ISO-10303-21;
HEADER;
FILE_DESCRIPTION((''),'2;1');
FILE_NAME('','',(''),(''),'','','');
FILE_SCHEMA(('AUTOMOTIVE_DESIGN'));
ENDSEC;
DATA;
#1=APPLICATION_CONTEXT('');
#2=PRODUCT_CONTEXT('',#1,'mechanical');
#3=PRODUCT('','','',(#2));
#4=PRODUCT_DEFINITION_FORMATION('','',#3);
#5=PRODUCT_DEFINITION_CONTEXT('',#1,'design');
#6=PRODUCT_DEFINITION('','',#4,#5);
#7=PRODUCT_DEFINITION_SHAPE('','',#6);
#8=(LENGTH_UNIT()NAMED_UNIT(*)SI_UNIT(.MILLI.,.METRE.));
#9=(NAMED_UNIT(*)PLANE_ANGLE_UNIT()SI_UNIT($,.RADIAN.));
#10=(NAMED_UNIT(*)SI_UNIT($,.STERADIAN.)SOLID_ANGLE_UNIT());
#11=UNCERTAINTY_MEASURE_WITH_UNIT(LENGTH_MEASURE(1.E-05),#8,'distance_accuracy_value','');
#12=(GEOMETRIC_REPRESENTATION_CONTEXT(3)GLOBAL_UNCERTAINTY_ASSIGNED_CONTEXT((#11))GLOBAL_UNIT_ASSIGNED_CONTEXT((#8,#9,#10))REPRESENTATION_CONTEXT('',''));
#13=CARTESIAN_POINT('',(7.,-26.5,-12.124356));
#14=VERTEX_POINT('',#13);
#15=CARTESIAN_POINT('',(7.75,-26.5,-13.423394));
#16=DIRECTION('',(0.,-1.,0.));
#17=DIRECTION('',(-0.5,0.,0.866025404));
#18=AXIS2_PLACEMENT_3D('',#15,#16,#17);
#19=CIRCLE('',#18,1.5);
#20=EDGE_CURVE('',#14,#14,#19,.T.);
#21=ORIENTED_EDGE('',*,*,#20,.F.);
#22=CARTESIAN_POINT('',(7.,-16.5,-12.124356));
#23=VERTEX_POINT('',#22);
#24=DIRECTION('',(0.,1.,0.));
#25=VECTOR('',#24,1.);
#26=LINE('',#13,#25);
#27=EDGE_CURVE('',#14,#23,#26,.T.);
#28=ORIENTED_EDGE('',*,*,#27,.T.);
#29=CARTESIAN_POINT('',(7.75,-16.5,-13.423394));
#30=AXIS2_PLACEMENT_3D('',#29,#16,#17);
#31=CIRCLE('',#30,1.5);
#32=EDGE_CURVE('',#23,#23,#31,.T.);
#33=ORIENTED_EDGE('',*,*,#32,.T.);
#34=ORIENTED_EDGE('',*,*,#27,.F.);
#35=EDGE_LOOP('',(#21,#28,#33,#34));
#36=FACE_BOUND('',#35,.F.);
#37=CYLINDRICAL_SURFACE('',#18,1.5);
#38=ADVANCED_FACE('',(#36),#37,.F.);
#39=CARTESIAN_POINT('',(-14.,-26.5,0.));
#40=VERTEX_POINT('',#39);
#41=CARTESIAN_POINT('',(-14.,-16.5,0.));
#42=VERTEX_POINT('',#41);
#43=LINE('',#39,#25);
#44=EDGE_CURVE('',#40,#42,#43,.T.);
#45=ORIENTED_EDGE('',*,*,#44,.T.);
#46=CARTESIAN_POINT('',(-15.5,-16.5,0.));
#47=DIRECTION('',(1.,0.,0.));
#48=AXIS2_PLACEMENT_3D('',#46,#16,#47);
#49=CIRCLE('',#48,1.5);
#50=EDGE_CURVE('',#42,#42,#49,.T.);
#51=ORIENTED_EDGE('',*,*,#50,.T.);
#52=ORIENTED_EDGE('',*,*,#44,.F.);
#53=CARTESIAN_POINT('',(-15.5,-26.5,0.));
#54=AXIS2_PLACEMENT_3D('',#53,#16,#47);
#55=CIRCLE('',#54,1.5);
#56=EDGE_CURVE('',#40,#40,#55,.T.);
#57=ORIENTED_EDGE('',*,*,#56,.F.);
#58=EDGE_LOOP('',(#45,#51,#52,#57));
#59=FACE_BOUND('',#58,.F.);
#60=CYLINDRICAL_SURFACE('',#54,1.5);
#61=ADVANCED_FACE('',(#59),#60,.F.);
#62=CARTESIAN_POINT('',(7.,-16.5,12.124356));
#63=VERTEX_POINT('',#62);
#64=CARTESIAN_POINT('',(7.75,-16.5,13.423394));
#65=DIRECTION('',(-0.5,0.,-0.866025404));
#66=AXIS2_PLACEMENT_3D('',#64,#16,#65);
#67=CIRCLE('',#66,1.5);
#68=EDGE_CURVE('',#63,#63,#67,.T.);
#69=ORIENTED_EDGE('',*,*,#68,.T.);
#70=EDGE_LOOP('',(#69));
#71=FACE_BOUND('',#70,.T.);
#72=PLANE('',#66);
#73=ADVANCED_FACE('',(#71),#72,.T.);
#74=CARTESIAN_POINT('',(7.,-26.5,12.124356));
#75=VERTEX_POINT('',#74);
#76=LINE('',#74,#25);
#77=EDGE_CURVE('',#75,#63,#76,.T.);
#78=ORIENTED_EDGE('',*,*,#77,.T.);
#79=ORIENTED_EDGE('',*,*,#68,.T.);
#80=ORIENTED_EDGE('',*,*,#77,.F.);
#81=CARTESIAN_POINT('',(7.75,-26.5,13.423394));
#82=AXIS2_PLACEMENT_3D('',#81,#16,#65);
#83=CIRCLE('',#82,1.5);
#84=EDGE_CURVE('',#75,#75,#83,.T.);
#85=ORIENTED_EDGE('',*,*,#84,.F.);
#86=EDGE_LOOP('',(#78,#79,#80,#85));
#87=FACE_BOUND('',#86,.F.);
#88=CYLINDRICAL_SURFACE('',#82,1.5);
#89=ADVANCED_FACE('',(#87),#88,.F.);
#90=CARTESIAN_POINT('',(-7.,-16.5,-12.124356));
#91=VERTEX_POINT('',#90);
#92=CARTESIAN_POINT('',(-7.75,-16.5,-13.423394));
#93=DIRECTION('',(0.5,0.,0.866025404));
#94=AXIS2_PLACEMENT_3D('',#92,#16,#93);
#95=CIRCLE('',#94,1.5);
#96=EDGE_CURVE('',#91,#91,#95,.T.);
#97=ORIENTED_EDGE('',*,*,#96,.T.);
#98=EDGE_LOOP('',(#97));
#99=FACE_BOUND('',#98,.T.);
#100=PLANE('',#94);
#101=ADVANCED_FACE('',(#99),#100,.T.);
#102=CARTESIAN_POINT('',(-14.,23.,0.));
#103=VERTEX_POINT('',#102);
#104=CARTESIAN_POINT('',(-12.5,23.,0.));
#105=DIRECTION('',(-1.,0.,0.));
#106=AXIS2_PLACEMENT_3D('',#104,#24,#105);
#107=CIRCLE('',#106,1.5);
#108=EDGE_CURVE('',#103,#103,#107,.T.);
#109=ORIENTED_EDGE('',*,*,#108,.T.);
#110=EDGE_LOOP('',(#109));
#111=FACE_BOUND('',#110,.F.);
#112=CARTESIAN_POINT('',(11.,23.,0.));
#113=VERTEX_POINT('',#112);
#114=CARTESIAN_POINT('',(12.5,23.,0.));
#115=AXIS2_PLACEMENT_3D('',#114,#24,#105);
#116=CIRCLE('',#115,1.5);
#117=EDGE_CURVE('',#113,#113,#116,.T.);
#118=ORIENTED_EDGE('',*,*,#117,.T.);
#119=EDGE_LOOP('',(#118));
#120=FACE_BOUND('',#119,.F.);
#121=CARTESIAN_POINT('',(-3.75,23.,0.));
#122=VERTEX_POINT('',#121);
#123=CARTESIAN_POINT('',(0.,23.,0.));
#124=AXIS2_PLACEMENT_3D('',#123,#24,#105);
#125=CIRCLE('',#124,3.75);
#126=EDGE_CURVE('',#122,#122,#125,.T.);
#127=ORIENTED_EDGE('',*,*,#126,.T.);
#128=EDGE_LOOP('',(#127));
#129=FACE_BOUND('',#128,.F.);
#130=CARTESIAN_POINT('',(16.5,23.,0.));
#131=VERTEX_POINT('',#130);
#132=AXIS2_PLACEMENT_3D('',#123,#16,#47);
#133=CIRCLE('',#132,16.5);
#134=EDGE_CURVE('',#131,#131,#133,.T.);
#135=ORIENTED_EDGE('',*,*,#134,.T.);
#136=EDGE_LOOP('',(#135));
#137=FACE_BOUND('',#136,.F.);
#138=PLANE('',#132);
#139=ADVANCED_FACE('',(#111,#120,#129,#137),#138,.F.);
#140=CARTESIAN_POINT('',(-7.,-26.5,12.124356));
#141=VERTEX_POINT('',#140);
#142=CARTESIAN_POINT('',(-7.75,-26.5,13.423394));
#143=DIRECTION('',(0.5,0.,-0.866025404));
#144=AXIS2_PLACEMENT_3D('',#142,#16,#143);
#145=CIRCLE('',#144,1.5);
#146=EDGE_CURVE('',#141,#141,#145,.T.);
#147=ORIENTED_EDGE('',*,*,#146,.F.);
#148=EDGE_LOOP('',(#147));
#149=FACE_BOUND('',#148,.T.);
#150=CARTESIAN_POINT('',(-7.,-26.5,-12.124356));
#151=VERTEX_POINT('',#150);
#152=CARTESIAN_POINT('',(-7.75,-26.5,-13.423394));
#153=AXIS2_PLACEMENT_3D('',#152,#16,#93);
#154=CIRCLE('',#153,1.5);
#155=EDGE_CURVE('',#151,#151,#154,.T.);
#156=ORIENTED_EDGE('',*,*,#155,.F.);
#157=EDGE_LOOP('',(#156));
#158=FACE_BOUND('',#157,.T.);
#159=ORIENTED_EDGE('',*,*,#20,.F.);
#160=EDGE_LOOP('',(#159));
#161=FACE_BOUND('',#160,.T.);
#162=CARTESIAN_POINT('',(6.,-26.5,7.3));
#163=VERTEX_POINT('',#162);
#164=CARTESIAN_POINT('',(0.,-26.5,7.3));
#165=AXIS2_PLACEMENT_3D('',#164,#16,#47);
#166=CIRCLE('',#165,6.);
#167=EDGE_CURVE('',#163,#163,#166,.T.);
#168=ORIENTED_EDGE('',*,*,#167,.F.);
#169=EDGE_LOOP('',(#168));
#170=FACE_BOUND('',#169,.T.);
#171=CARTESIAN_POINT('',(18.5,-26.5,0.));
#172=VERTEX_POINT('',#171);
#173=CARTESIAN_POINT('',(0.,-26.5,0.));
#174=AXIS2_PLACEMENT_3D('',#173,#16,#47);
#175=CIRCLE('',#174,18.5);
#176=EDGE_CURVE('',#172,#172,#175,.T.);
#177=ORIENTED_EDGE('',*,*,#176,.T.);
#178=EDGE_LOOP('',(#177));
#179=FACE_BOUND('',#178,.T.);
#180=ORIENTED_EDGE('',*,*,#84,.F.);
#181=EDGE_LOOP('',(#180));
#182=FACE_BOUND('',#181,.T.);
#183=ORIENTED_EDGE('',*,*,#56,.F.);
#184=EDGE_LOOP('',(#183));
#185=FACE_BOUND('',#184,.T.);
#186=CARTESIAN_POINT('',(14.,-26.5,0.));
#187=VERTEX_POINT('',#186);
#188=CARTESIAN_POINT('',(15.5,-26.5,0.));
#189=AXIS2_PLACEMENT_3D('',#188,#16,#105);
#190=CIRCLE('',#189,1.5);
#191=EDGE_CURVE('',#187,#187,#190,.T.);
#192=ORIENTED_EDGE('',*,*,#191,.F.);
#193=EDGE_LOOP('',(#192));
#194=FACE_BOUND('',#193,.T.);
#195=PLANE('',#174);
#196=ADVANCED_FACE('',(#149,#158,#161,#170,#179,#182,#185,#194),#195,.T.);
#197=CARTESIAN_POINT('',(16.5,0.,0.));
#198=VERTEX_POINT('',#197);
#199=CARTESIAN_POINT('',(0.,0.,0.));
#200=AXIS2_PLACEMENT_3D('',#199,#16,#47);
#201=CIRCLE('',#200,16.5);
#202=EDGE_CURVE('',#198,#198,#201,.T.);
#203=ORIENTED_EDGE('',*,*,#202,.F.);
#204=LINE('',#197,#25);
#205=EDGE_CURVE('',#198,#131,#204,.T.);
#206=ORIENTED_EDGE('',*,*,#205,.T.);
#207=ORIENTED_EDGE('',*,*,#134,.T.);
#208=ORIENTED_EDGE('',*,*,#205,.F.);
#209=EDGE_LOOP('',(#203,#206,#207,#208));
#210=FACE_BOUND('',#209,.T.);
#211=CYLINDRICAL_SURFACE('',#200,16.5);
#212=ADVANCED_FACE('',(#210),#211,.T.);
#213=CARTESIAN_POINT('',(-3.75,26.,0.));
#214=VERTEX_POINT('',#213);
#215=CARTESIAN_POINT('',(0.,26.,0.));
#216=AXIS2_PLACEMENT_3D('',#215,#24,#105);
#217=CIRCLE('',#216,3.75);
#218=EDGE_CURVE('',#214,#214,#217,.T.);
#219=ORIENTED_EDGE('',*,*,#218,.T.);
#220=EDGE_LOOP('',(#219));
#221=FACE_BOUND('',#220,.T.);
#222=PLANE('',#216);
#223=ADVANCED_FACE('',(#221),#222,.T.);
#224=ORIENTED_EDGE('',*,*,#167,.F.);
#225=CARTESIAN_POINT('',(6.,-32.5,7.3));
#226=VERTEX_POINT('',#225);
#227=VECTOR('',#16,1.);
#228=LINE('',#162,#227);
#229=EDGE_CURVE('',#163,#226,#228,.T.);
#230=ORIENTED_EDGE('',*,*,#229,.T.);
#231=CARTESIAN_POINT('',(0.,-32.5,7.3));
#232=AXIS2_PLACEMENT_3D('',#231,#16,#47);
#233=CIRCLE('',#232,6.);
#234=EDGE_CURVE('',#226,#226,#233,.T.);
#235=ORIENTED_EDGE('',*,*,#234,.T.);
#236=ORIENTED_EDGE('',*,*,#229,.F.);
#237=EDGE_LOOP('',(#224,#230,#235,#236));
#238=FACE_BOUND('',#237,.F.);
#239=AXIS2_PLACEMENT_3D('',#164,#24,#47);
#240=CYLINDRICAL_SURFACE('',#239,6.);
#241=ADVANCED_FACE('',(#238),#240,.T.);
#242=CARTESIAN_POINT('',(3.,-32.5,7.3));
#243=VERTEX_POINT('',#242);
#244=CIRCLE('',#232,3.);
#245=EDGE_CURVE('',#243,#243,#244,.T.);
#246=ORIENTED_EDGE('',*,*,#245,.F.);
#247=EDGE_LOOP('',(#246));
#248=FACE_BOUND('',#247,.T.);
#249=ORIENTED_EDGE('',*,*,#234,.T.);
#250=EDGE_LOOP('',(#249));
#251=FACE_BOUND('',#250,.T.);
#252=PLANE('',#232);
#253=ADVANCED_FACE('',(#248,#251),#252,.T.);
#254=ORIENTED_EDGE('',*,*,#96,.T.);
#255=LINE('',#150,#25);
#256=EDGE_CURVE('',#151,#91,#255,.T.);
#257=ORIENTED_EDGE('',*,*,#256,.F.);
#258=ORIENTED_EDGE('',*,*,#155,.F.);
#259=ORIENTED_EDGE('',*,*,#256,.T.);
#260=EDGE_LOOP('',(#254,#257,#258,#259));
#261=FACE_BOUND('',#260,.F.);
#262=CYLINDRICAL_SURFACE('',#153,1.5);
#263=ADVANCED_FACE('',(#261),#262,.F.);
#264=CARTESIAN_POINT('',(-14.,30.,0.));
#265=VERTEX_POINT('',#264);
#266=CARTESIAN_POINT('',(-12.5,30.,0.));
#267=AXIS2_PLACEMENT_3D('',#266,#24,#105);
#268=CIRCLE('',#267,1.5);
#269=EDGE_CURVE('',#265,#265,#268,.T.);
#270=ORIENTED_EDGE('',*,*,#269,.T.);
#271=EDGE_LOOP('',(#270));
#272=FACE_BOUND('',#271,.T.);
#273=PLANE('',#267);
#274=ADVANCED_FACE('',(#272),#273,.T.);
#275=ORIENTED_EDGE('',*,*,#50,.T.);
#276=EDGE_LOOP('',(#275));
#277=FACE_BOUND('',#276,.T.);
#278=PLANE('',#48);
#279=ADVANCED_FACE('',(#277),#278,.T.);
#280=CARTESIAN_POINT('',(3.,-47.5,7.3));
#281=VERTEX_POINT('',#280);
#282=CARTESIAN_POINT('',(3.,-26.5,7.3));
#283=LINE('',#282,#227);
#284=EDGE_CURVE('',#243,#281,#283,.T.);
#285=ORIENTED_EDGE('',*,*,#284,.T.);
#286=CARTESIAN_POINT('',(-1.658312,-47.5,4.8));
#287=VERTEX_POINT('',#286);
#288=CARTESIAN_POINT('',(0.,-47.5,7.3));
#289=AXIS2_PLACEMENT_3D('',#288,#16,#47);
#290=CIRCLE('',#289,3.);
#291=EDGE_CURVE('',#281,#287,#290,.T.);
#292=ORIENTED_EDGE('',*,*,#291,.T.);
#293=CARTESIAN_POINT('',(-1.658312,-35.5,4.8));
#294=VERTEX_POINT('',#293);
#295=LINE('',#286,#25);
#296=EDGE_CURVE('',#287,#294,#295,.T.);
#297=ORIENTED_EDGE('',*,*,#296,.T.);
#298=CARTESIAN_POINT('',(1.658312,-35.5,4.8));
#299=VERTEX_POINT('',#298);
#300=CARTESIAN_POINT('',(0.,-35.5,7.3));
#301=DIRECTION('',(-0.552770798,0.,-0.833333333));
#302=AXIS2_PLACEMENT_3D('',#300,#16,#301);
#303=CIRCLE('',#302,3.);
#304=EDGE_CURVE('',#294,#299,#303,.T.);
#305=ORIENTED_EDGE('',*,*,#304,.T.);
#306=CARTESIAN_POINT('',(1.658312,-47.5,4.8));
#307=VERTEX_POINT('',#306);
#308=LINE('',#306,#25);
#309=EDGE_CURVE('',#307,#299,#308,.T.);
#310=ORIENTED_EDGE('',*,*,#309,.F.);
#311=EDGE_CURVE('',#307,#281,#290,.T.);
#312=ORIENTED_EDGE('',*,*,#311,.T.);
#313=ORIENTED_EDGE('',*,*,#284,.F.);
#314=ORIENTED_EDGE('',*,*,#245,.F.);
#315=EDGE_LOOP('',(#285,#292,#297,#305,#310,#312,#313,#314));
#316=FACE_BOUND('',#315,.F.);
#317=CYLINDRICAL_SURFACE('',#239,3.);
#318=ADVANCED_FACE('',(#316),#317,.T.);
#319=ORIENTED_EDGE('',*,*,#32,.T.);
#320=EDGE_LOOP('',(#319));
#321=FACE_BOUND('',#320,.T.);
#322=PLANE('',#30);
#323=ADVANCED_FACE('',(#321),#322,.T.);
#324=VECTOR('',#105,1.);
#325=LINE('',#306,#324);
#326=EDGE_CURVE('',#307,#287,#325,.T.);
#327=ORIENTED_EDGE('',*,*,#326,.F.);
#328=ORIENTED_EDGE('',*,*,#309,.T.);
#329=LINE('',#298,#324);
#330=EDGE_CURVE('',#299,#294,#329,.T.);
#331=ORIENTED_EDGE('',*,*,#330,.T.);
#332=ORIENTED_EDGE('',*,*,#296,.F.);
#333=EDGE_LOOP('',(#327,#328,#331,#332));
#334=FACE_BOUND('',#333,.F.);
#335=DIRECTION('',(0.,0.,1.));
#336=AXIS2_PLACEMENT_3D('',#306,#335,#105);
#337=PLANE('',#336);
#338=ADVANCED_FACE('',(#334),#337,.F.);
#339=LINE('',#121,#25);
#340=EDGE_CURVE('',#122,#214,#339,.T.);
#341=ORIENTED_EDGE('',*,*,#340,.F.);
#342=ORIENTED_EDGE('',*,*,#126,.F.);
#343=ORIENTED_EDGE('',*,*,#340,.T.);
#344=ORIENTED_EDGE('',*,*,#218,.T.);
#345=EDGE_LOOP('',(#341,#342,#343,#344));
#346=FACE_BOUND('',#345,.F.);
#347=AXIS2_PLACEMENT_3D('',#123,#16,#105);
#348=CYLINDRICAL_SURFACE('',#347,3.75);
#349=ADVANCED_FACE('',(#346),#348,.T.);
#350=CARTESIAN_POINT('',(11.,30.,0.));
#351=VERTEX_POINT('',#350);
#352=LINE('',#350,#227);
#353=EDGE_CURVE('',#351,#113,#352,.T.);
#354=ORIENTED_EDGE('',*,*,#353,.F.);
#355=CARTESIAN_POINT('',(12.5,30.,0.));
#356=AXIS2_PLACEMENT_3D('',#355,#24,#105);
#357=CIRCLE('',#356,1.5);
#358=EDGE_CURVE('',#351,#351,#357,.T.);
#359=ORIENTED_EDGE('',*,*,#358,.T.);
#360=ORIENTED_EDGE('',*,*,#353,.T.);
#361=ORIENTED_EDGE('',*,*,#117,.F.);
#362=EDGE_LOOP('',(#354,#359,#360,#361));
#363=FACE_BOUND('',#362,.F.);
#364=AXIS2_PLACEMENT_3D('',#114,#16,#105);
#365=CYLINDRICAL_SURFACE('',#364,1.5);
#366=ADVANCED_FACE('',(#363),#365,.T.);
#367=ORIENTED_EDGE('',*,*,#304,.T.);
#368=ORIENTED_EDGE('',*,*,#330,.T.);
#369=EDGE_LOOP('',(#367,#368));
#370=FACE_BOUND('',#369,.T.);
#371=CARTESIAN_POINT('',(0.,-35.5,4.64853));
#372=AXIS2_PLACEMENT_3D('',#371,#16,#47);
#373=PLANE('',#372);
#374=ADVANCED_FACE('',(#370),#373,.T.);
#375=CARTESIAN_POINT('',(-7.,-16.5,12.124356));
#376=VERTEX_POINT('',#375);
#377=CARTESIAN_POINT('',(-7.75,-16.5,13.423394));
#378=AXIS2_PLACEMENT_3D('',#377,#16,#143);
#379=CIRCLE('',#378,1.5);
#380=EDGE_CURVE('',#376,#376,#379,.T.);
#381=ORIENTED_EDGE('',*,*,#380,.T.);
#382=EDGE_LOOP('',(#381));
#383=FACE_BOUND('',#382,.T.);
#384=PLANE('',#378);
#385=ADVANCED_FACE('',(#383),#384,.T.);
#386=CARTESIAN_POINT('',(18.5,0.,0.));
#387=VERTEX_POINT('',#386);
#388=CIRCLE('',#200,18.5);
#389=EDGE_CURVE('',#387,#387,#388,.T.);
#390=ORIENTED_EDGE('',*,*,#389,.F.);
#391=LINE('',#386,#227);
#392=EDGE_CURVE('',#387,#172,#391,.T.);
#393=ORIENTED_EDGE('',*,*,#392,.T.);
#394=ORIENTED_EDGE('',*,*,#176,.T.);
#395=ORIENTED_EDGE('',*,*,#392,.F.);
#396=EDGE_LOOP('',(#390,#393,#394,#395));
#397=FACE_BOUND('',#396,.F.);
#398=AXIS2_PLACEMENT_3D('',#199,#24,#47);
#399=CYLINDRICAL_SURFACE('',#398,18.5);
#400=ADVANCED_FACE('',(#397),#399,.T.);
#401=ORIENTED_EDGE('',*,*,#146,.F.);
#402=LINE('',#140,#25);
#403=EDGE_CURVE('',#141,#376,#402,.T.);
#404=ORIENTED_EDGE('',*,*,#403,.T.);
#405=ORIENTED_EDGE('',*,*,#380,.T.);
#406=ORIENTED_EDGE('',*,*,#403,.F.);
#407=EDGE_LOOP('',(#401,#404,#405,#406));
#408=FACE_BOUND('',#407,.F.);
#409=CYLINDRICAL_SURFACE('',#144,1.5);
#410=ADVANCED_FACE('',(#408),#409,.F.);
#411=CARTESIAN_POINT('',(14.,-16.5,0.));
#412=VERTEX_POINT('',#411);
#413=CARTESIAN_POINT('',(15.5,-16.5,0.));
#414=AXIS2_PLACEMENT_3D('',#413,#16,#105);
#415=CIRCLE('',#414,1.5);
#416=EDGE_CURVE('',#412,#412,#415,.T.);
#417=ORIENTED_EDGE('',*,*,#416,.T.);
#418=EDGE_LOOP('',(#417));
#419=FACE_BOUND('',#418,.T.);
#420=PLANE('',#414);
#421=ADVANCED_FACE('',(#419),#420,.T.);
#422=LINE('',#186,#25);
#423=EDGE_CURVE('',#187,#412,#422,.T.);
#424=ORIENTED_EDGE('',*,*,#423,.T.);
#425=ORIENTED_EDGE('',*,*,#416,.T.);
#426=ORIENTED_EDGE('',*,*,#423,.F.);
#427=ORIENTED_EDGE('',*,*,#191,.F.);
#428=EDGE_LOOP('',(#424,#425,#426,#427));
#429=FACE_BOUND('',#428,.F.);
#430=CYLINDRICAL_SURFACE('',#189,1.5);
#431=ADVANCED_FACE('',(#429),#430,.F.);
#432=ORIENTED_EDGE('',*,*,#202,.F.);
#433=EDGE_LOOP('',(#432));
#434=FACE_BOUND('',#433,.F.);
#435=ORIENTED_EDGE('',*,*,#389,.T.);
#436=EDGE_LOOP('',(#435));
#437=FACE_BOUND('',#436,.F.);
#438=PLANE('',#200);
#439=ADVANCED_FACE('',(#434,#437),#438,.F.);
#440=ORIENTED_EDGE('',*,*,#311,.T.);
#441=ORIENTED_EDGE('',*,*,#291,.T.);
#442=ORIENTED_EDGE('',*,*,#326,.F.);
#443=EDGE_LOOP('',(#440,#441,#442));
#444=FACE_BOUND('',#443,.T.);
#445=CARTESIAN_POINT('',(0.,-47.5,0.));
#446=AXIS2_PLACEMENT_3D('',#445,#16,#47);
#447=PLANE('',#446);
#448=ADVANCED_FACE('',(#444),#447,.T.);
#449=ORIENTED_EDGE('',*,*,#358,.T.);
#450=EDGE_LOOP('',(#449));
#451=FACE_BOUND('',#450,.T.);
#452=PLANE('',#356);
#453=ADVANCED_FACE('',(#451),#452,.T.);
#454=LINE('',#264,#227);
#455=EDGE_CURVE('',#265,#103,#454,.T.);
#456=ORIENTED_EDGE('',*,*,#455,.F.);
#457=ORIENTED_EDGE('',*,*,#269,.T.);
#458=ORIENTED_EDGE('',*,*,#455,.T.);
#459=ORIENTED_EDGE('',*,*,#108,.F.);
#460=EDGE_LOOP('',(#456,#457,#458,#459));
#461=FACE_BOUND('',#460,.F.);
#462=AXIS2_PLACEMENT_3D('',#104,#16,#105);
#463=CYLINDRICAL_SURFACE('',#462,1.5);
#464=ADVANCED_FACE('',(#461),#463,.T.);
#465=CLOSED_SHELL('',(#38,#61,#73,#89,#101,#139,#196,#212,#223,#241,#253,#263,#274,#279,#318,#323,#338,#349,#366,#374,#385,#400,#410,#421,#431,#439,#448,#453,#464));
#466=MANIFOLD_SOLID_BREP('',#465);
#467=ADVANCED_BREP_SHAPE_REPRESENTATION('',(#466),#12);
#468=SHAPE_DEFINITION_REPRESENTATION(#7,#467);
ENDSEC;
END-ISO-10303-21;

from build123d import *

# Parameters (mm, degrees)
F0_R      = 18.5
F0_R_2    = 16.5
F1_DEPTH  = 26.5
F2_DEPTH  = 23
F3_R      = 6
F3_R_2    = 3
F4_DEPTH  = 6
F5_DEPTH  = 21
F7_DEPTH  = 12
F3_R_3    = 1.5
F8_DEPTH  = 10
F10_COUNT = 6
F11_R     = 3.75
F11_R_2   = 1.5
F12_DEPTH = 3
F13_DEPTH = 7


with BuildPart() as f1:
    # F0 (on Front) → F1 (new body)
    with BuildSketch(Plane.XZ):
        Circle(F0_R)
        Circle(F0_R_2, mode=Mode.SUBTRACT)
        Circle(F0_R_2)
    extrude(amount=F1_DEPTH)

    # F0 (on Front) → F2 (join)
    with BuildSketch(Plane.XZ):
        Circle(F0_R_2)
    extrude(amount=-F2_DEPTH)

    # F3 (on face) → F4 (join)
    with BuildSketch(Plane.XZ.offset(26.5)):
        with Locations((0, 7.3)):
            Circle(F3_R)
        with Locations((0, 7.3)):
            Circle(F3_R_2, mode=Mode.SUBTRACT)
    extrude(amount=F4_DEPTH)

    # F5 (add): a face of the model
    f5_faces = [f1.faces().sort_by_distance(p)[0] for p in [
        (0, -26.5, 7.3),
    ]]
    extrude(f5_faces, amount=F5_DEPTH)

    # F6 (on face) → F7 (cut)
    with BuildSketch(Plane.XZ.offset(47.5)):
        with BuildLine():
            Line((1.6583123952, 4.8), (-1.6583123952, 4.8))
            ThreePointArc((-1.6583123952, 4.8), (0, 4.3), (1.6583123952, 4.8))
        make_face()
    extrude(amount=-F7_DEPTH, mode=Mode.SUBTRACT)

    # F10: F8 ×6 about axis
    f10_axis = Axis((0, -5.8839749545, 0), (0, 1, 0))


with BuildPart() as f8:
    # F3 (on face) → F8 (new body)
    with BuildSketch(Plane.XZ.offset(26.5)):
        with Locations((-15.5, 0)):
            Circle(F3_R_3)
    extrude(amount=-F8_DEPTH)


with BuildPart() as f1_1:
    add(f1.part)
    for i in range(1, F10_COUNT):
        add(f8.part.rotate(f10_axis, i * 360 / F10_COUNT), mode=Mode.SUBTRACT)

    # F10#seed: cut F8
    add(f8.part, mode=Mode.SUBTRACT)

    # F11 (on face) → F12 (join)
    with BuildSketch(Plane(origin=(0, 23, 0), x_dir=(-1, 0, 0), z_dir=(0, 1, 0))):
        Circle(F11_R)
        with Locations((-12.5, 0)):
            Circle(F11_R_2)
        with Locations((12.5, 0)):
            Circle(F11_R_2)
    extrude(amount=F12_DEPTH)

    # F11 (on face) → F13 (join)
    with BuildSketch(Plane(origin=(0, 23, 0), x_dir=(-1, 0, 0), z_dir=(0, 1, 0))):
        with Locations((-12.5, 0)):
            Circle(F11_R_2)
        with Locations((12.5, 0)):
            Circle(F11_R_2)
    extrude(amount=F13_DEPTH)


solid = f1_1.part
